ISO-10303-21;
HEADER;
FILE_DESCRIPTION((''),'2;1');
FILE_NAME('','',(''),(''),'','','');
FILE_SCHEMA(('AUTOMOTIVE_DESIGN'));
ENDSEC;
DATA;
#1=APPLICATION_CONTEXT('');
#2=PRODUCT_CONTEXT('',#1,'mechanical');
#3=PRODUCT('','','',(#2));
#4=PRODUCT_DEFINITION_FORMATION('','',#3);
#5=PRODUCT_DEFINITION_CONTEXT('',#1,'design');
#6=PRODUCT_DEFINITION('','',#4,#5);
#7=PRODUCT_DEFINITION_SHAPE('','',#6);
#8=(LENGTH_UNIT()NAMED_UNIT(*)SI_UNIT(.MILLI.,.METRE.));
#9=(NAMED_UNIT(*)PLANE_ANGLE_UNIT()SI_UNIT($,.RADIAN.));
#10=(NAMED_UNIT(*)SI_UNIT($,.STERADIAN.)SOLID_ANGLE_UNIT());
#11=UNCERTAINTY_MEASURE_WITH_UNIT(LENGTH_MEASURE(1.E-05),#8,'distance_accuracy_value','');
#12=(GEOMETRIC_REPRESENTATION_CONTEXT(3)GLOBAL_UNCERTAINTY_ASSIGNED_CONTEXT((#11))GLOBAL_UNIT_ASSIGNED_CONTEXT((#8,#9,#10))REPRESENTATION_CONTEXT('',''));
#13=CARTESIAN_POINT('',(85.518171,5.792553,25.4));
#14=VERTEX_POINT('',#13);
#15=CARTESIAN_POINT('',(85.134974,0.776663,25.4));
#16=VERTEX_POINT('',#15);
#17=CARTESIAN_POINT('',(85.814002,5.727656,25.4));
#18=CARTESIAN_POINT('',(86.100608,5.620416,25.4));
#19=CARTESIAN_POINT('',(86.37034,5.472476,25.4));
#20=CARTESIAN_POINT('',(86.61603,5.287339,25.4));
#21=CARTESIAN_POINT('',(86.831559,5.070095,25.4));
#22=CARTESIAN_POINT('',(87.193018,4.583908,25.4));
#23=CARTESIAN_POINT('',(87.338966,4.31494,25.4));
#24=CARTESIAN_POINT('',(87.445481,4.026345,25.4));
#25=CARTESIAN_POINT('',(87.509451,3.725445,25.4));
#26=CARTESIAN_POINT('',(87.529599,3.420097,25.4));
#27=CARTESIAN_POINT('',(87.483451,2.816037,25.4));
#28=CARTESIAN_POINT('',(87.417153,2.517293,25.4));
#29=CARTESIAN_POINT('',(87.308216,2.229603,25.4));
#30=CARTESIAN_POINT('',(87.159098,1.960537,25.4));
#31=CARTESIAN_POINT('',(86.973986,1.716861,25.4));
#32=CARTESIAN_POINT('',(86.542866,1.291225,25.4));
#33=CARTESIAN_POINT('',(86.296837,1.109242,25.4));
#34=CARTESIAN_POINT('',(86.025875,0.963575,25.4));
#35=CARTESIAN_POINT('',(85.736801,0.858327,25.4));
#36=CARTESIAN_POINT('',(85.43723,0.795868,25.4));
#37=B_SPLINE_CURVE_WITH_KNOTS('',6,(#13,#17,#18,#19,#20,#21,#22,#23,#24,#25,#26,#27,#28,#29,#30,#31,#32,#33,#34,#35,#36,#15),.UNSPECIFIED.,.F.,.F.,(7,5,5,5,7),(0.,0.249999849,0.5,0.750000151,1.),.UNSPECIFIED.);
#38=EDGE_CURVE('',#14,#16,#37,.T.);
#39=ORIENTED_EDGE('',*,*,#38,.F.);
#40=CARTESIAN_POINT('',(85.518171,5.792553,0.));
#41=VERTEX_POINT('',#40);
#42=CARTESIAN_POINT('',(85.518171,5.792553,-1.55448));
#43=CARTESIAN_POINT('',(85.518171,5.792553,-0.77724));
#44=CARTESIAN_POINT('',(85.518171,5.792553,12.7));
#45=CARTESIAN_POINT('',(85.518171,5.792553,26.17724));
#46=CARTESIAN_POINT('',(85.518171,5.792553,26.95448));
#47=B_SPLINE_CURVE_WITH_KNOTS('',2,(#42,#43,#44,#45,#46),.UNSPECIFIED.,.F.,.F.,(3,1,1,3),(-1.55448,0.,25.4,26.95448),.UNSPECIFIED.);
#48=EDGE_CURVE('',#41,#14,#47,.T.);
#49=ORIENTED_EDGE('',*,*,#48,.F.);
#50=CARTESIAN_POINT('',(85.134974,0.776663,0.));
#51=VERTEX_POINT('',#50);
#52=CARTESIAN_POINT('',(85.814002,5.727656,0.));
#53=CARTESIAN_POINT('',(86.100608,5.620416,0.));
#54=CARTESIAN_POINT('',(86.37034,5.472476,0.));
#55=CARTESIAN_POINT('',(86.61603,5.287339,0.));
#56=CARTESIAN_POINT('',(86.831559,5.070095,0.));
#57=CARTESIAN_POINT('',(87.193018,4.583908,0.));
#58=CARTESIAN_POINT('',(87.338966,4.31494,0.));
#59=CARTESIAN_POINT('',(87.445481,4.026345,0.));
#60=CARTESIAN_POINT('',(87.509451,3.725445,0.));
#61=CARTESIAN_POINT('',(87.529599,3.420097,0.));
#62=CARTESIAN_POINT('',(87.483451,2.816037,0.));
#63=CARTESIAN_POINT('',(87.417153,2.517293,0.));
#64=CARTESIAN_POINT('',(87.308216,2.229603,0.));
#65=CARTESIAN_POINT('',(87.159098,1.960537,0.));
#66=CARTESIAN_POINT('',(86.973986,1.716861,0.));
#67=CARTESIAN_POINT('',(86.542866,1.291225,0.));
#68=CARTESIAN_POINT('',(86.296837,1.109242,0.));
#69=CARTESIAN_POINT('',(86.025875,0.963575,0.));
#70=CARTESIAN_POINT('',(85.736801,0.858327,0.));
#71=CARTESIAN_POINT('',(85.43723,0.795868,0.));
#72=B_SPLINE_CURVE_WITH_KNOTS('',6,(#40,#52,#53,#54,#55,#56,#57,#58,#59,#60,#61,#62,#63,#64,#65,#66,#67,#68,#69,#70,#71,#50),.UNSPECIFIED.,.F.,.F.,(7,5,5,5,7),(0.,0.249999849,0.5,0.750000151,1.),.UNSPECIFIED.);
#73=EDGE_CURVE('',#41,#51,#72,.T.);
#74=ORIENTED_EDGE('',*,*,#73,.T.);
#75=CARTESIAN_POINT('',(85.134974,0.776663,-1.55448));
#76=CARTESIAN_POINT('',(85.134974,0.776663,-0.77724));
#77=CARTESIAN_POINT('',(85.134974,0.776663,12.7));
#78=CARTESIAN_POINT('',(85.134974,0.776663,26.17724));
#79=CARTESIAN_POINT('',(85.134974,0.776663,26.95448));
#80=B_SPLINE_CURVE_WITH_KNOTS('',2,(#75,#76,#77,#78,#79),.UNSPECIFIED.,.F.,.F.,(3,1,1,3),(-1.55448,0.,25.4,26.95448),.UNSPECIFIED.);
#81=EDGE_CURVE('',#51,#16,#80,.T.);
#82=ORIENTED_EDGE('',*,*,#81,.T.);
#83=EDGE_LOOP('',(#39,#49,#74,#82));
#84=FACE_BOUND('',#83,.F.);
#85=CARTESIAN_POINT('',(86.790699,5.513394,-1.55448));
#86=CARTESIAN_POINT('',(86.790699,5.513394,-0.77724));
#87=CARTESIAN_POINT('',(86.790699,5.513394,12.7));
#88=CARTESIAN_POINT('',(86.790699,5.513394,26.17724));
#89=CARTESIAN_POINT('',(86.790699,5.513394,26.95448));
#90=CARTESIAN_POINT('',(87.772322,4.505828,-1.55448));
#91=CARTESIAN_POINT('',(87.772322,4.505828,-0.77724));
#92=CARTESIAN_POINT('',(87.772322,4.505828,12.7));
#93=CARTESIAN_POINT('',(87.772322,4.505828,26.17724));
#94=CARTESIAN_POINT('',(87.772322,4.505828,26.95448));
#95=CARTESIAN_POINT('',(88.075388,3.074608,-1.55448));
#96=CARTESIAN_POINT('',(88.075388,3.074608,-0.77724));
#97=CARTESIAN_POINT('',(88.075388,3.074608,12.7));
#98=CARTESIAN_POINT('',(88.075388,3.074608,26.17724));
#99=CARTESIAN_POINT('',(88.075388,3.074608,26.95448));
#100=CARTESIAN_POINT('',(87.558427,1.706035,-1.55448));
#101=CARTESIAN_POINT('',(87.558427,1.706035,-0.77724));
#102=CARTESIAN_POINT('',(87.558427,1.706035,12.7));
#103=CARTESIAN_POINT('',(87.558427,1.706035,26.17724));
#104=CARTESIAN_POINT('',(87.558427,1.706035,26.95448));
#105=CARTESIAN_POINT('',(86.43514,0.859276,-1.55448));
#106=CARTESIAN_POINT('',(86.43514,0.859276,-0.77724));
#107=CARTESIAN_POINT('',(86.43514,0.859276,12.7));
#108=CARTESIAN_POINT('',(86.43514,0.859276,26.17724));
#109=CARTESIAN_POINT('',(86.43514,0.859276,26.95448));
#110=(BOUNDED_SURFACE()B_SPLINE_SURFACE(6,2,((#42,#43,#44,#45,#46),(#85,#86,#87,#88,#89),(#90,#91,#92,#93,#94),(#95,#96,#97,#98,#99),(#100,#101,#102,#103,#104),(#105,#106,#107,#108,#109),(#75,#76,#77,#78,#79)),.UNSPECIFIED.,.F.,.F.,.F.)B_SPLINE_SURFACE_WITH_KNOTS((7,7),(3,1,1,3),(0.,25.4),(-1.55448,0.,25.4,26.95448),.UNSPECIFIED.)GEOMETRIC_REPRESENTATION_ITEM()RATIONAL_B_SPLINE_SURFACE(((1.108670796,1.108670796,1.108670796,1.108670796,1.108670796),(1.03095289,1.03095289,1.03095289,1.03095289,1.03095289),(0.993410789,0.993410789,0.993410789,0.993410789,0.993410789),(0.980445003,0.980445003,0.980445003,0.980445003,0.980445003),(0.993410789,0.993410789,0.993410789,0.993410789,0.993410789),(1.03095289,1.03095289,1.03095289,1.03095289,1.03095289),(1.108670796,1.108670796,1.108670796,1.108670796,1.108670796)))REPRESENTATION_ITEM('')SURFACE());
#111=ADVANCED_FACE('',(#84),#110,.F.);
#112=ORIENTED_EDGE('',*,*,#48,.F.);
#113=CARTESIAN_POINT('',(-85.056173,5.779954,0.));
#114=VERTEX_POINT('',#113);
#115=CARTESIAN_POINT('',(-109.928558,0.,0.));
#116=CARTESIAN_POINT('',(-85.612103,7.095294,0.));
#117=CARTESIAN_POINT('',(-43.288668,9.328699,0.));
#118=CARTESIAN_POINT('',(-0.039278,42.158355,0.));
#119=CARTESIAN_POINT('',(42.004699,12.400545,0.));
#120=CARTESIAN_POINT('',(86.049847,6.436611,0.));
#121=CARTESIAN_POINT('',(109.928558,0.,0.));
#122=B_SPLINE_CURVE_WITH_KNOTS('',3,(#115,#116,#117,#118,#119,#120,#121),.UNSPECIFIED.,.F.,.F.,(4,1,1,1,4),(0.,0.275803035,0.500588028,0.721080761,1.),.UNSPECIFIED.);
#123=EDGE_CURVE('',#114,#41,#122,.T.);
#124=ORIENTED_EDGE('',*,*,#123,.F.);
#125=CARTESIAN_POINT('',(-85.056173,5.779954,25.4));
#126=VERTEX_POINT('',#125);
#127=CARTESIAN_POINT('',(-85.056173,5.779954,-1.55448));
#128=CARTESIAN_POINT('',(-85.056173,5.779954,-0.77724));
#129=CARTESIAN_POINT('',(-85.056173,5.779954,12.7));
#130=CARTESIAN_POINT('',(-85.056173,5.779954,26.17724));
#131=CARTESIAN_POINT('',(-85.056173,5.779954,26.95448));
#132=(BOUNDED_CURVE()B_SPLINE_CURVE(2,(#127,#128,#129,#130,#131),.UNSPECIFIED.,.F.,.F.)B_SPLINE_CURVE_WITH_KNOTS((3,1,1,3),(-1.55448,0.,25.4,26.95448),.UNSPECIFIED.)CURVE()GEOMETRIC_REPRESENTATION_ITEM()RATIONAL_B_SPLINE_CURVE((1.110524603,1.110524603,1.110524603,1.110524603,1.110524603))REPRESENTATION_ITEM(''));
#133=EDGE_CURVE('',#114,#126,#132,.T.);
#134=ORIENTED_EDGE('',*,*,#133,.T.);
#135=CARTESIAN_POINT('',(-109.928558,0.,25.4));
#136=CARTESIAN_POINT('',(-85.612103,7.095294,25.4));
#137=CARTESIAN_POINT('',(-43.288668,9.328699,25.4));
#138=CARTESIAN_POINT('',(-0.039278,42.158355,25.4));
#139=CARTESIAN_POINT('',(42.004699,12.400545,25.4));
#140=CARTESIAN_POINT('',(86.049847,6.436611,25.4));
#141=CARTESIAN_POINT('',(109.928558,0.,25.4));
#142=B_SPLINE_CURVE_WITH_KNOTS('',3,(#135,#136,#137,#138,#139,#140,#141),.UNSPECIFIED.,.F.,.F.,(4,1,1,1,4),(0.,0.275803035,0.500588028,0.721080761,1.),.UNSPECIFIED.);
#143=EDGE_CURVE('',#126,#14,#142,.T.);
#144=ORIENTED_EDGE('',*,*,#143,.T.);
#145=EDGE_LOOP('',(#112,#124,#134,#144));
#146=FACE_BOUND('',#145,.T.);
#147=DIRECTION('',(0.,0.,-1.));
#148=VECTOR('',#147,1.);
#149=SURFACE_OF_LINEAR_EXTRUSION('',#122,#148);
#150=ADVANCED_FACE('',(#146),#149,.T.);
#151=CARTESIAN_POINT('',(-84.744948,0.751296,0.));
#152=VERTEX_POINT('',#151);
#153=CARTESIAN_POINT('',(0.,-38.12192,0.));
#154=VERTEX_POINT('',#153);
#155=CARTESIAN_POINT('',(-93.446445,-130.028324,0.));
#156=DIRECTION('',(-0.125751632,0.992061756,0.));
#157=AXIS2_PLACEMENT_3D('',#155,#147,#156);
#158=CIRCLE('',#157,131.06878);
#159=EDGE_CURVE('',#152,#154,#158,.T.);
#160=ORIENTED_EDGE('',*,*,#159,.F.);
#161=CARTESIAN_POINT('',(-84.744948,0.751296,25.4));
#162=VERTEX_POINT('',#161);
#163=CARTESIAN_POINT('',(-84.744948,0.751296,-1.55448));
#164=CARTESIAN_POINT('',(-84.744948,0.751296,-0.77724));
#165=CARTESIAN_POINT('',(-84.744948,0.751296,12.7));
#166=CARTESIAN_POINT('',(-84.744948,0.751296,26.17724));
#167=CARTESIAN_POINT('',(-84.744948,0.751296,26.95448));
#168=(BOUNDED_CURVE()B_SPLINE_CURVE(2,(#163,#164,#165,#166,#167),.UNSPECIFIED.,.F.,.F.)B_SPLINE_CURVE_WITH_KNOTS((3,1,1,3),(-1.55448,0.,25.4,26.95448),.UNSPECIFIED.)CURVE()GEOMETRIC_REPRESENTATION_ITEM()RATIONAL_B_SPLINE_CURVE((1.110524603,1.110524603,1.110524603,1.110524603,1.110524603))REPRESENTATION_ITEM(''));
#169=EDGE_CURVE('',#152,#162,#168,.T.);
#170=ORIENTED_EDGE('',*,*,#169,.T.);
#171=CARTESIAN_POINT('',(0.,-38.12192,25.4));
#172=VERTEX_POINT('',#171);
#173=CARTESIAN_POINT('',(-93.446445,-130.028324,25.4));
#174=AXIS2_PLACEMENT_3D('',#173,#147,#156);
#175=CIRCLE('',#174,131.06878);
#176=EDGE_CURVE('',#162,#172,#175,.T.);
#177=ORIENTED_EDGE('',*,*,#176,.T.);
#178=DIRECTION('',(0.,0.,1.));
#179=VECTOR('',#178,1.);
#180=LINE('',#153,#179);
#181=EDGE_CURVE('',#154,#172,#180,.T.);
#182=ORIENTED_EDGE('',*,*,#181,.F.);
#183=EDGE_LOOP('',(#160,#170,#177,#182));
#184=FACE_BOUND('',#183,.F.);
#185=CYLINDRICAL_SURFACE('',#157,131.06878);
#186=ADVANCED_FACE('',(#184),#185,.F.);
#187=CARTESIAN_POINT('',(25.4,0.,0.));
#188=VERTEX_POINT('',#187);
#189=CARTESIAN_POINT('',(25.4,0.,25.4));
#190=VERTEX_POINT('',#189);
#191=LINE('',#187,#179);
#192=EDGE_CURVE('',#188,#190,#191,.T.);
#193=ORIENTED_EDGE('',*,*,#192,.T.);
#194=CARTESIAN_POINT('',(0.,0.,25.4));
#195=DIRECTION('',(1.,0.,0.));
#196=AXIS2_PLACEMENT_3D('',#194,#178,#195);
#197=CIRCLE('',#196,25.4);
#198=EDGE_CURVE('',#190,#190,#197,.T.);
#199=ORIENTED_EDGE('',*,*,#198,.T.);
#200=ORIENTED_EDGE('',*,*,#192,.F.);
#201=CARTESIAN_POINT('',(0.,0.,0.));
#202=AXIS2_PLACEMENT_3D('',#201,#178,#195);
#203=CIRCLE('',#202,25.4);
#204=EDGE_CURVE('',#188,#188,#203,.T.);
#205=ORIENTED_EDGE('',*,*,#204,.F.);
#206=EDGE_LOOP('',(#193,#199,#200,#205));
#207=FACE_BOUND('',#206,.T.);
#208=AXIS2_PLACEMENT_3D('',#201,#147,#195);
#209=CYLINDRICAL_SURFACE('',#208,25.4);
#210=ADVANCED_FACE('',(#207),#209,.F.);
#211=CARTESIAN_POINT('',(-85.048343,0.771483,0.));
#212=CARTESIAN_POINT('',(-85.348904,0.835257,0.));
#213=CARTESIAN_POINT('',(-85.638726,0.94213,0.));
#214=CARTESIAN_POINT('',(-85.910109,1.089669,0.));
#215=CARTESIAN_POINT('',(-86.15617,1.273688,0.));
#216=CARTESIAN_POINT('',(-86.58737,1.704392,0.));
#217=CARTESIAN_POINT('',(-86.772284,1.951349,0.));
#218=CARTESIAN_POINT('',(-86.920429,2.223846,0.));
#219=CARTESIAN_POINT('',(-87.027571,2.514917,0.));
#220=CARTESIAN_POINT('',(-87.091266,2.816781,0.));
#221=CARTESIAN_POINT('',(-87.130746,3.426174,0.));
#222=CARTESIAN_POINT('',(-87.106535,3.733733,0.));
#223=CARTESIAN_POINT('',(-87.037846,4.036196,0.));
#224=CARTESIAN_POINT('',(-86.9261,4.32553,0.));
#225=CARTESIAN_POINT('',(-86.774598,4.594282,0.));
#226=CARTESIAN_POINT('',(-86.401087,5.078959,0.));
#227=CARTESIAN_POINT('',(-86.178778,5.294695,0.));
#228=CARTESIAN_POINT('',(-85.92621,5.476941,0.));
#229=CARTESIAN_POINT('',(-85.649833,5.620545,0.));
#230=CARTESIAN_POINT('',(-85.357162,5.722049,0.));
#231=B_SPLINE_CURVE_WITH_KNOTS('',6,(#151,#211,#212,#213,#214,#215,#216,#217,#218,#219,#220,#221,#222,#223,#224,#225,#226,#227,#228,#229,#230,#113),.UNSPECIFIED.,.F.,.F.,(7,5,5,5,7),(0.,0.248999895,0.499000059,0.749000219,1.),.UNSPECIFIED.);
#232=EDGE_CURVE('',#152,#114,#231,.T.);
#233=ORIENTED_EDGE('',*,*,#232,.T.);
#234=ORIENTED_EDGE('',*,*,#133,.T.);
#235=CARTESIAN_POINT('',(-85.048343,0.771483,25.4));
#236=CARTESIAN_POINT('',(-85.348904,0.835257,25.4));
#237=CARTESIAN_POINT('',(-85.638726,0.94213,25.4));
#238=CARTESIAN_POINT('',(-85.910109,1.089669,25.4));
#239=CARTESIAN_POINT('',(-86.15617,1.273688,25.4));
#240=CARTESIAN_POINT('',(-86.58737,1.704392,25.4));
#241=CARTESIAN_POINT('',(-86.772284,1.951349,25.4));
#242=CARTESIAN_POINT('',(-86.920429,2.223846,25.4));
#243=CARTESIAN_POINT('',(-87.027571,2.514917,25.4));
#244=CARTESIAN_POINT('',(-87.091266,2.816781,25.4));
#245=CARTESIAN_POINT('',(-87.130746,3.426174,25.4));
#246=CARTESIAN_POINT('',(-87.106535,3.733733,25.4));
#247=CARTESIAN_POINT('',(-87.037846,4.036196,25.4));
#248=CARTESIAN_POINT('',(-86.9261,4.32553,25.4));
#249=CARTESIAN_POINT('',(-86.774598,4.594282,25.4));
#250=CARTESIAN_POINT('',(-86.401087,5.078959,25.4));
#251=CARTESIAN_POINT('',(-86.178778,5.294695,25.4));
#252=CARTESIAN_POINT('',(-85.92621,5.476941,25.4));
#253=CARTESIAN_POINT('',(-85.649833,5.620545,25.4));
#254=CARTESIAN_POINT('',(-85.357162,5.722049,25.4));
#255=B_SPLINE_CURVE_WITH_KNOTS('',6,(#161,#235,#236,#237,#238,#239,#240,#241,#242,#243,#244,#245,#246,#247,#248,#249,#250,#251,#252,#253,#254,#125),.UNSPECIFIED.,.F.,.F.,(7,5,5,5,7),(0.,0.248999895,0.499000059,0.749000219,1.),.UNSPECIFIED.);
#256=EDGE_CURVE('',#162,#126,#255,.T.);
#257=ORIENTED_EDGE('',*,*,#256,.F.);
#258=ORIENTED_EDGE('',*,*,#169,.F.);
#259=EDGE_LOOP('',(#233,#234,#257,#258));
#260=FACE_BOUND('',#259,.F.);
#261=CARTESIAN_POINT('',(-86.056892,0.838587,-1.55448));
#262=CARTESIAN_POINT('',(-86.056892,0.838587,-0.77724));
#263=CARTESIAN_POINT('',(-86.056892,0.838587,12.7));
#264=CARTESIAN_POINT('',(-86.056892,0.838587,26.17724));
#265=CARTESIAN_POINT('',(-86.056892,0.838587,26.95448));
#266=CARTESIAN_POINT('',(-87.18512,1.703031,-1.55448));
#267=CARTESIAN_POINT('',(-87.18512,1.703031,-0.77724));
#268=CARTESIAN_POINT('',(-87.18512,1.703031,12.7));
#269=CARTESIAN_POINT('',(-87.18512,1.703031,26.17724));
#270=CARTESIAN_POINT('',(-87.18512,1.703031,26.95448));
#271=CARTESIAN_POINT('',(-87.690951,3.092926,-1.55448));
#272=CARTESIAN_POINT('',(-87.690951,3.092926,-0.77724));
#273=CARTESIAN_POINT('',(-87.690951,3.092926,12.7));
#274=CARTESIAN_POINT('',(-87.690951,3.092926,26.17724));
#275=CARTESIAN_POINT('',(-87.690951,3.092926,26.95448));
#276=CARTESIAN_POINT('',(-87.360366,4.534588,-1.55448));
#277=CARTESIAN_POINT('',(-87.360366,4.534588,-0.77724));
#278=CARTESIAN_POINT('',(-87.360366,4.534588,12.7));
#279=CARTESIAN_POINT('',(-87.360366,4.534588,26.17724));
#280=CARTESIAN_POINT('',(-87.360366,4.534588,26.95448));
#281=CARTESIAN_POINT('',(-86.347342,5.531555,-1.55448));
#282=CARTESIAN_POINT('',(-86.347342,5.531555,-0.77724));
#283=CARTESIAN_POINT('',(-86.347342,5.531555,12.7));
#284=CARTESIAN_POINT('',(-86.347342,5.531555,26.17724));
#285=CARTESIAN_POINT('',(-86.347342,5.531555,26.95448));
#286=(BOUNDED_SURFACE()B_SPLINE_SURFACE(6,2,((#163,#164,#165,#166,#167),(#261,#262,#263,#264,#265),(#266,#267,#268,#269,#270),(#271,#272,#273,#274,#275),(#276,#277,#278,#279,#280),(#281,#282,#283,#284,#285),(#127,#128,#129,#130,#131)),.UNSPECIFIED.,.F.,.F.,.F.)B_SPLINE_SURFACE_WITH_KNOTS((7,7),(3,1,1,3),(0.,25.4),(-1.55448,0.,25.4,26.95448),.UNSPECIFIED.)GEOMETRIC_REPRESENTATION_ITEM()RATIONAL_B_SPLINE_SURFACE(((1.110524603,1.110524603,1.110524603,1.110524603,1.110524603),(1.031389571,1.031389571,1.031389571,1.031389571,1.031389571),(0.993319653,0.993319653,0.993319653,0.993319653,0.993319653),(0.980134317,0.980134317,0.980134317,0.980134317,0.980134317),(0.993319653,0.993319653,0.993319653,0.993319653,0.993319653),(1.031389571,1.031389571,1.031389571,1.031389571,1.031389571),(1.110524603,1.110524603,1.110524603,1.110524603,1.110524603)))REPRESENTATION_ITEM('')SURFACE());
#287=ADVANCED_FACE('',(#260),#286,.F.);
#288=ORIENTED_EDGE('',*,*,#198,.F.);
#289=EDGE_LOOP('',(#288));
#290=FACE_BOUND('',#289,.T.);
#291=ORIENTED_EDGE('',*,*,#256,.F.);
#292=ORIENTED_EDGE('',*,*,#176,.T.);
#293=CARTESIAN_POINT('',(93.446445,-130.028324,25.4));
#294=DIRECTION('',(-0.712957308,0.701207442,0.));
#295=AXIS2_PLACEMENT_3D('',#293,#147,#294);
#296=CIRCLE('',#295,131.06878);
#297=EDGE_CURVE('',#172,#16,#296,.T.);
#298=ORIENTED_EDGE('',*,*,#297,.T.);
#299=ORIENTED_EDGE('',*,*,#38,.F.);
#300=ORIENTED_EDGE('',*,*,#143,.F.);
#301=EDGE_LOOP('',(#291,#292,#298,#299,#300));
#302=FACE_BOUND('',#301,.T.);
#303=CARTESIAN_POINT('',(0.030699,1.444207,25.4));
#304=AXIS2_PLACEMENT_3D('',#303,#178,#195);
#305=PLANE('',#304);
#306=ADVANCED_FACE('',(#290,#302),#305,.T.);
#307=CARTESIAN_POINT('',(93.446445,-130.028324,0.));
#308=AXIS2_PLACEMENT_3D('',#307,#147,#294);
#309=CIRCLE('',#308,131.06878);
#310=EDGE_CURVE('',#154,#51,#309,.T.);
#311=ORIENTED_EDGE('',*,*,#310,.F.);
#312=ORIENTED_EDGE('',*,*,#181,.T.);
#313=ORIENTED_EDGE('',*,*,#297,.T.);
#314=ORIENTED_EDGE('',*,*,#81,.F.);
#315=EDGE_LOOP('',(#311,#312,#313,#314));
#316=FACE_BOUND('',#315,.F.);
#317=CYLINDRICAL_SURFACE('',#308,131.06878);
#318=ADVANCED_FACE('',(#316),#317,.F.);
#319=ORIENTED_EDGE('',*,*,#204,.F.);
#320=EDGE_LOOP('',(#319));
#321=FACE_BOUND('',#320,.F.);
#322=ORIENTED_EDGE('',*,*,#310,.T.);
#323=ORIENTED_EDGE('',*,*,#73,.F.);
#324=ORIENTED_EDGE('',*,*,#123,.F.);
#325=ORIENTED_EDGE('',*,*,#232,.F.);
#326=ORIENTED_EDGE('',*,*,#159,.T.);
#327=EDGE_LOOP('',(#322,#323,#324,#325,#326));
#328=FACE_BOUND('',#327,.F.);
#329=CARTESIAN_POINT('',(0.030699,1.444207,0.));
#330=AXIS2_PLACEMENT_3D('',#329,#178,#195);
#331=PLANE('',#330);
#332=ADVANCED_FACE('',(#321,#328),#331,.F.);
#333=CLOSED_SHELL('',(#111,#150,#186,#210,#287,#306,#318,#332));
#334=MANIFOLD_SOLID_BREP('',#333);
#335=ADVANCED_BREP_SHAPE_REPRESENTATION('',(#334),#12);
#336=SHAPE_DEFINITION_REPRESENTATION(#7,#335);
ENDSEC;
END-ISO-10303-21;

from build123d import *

# Parameters (mm, degrees)
F0_R     = 25.4
F1_DEPTH = 25.4
F2_R     = 2.54


with BuildPart() as f1:
    # F0 (on Top) → F1 (new body)
    with BuildSketch(Plane.XY):
        with BuildLine():
            ThreePointArc((-109.9285576866, 0), (-50.5023265134, -6.1944521857), (0, -38.121920079))
            ThreePointArc((0, -38.121920079), (50.5023265134, -6.1944521857), (109.9285576866, 0))
            add(Edge.make_bspline(
                [(-109.9285576866, 0), (-85.612103343, 7.0952940732), (-43.2886684826, 9.3286991497), (-0.039278438, 42.1583549524), (42.0046987843, 12.4005450465), (86.0498473048, 6.4366110601), (109.9285576866, 0)],
                knots=[0, 0, 0, 0, 0.2758030347, 0.5005880284, 0.7210807614, 1, 1, 1, 1], degree=3))
        make_face()
        Circle(F0_R, mode=Mode.SUBTRACT)
    extrude(amount=F1_DEPTH)

    # F2
    f2_edges = [f1.edges().sort_by_distance(p)[0] for p in [
        (-109.928558, 0, 12.7),
        (109.928558, 0, 12.7),
    ]]
    fillet(f2_edges, radius=F2_R)


solid = f1.part
